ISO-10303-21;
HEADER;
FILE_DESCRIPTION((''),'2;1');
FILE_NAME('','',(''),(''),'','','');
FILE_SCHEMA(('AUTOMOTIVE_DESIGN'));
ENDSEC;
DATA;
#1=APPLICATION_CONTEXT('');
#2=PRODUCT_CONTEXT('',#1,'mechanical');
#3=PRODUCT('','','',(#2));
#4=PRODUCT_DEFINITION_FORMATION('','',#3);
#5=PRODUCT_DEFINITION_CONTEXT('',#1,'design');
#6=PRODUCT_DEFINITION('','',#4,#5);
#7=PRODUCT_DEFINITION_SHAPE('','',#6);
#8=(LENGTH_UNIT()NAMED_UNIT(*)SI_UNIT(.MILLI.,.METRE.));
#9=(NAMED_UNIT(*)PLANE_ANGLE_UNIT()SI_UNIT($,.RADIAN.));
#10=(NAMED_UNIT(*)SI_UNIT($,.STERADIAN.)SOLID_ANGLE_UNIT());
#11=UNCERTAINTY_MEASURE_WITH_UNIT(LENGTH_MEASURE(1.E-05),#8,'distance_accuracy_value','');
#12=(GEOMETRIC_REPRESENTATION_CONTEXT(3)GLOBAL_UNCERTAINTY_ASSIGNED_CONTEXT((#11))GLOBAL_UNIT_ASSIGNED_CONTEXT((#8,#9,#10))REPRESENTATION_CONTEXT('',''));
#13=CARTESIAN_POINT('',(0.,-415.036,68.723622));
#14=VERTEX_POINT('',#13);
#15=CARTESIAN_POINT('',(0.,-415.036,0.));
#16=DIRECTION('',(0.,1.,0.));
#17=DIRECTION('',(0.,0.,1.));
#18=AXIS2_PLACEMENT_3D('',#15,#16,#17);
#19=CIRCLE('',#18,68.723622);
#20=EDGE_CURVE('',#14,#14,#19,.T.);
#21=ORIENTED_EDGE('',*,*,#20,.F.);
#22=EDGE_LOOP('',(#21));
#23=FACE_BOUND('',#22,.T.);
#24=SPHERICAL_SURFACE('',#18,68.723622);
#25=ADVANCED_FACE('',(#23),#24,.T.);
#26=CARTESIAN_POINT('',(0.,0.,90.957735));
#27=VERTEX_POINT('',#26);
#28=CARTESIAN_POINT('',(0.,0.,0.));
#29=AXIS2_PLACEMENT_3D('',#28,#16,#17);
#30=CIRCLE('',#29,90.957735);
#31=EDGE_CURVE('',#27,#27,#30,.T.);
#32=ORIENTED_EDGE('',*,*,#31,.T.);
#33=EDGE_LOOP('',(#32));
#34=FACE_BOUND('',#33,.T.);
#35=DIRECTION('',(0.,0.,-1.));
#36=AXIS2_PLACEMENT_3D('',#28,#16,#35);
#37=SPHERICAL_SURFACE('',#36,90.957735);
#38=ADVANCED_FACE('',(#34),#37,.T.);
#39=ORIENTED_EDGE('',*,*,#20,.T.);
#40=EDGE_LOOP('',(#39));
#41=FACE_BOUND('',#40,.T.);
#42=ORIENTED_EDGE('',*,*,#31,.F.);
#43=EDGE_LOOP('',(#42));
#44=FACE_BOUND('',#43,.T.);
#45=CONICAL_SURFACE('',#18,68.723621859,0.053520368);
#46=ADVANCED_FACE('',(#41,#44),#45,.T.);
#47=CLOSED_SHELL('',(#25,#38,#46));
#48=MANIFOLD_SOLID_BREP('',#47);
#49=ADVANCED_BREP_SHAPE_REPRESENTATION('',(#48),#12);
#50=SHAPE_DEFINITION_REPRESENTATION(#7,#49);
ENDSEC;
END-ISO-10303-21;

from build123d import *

# Parameters (mm, degrees)
SKETCH1_R = 90.957734813
SKETCH2_R = 68.723621859


with BuildPart() as part:
    # Sketch1 → Loft1 section 0
    with BuildSketch(Plane(origin=(0, 0, 0), x_dir=(1, 0, 0), z_dir=(0, 1, 0))):
        Circle(SKETCH1_R)
    # Sketch2 → Loft1 section 1
    with BuildSketch(Plane(origin=(0, -415.036, 0), x_dir=(-1, 0, 0), z_dir=(0, 1, 0))):
        Circle(SKETCH2_R)
    loft()

    # Sketch5 → Revolve1 (revolve)
    with BuildSketch(Plane(origin=(0, 0, 0), x_dir=(0, 0, -1), z_dir=(1, 0, 0))):
        with BuildLine():
            Line((0, -483.759621859), (0, -415.036))
            Line((0, -415.036), (-68.723621859, -415.036))
            ThreePointArc((-68.723621859, -415.036), (-48.594939044, -463.630939044), (0, -483.759621859))
        make_face()
        with BuildLine():
            Line((0, 90.957734813), (0, 0))
            Line((0, 0), (-90.957734813, 0))
            ThreePointArc((-90.957734813, 0), (-64.316831088, 64.316831088), (0, 90.957734813))
        make_face()
    revolve(axis=Axis((0, 0, 0), (0, -1, 0)))


solid = part.part
